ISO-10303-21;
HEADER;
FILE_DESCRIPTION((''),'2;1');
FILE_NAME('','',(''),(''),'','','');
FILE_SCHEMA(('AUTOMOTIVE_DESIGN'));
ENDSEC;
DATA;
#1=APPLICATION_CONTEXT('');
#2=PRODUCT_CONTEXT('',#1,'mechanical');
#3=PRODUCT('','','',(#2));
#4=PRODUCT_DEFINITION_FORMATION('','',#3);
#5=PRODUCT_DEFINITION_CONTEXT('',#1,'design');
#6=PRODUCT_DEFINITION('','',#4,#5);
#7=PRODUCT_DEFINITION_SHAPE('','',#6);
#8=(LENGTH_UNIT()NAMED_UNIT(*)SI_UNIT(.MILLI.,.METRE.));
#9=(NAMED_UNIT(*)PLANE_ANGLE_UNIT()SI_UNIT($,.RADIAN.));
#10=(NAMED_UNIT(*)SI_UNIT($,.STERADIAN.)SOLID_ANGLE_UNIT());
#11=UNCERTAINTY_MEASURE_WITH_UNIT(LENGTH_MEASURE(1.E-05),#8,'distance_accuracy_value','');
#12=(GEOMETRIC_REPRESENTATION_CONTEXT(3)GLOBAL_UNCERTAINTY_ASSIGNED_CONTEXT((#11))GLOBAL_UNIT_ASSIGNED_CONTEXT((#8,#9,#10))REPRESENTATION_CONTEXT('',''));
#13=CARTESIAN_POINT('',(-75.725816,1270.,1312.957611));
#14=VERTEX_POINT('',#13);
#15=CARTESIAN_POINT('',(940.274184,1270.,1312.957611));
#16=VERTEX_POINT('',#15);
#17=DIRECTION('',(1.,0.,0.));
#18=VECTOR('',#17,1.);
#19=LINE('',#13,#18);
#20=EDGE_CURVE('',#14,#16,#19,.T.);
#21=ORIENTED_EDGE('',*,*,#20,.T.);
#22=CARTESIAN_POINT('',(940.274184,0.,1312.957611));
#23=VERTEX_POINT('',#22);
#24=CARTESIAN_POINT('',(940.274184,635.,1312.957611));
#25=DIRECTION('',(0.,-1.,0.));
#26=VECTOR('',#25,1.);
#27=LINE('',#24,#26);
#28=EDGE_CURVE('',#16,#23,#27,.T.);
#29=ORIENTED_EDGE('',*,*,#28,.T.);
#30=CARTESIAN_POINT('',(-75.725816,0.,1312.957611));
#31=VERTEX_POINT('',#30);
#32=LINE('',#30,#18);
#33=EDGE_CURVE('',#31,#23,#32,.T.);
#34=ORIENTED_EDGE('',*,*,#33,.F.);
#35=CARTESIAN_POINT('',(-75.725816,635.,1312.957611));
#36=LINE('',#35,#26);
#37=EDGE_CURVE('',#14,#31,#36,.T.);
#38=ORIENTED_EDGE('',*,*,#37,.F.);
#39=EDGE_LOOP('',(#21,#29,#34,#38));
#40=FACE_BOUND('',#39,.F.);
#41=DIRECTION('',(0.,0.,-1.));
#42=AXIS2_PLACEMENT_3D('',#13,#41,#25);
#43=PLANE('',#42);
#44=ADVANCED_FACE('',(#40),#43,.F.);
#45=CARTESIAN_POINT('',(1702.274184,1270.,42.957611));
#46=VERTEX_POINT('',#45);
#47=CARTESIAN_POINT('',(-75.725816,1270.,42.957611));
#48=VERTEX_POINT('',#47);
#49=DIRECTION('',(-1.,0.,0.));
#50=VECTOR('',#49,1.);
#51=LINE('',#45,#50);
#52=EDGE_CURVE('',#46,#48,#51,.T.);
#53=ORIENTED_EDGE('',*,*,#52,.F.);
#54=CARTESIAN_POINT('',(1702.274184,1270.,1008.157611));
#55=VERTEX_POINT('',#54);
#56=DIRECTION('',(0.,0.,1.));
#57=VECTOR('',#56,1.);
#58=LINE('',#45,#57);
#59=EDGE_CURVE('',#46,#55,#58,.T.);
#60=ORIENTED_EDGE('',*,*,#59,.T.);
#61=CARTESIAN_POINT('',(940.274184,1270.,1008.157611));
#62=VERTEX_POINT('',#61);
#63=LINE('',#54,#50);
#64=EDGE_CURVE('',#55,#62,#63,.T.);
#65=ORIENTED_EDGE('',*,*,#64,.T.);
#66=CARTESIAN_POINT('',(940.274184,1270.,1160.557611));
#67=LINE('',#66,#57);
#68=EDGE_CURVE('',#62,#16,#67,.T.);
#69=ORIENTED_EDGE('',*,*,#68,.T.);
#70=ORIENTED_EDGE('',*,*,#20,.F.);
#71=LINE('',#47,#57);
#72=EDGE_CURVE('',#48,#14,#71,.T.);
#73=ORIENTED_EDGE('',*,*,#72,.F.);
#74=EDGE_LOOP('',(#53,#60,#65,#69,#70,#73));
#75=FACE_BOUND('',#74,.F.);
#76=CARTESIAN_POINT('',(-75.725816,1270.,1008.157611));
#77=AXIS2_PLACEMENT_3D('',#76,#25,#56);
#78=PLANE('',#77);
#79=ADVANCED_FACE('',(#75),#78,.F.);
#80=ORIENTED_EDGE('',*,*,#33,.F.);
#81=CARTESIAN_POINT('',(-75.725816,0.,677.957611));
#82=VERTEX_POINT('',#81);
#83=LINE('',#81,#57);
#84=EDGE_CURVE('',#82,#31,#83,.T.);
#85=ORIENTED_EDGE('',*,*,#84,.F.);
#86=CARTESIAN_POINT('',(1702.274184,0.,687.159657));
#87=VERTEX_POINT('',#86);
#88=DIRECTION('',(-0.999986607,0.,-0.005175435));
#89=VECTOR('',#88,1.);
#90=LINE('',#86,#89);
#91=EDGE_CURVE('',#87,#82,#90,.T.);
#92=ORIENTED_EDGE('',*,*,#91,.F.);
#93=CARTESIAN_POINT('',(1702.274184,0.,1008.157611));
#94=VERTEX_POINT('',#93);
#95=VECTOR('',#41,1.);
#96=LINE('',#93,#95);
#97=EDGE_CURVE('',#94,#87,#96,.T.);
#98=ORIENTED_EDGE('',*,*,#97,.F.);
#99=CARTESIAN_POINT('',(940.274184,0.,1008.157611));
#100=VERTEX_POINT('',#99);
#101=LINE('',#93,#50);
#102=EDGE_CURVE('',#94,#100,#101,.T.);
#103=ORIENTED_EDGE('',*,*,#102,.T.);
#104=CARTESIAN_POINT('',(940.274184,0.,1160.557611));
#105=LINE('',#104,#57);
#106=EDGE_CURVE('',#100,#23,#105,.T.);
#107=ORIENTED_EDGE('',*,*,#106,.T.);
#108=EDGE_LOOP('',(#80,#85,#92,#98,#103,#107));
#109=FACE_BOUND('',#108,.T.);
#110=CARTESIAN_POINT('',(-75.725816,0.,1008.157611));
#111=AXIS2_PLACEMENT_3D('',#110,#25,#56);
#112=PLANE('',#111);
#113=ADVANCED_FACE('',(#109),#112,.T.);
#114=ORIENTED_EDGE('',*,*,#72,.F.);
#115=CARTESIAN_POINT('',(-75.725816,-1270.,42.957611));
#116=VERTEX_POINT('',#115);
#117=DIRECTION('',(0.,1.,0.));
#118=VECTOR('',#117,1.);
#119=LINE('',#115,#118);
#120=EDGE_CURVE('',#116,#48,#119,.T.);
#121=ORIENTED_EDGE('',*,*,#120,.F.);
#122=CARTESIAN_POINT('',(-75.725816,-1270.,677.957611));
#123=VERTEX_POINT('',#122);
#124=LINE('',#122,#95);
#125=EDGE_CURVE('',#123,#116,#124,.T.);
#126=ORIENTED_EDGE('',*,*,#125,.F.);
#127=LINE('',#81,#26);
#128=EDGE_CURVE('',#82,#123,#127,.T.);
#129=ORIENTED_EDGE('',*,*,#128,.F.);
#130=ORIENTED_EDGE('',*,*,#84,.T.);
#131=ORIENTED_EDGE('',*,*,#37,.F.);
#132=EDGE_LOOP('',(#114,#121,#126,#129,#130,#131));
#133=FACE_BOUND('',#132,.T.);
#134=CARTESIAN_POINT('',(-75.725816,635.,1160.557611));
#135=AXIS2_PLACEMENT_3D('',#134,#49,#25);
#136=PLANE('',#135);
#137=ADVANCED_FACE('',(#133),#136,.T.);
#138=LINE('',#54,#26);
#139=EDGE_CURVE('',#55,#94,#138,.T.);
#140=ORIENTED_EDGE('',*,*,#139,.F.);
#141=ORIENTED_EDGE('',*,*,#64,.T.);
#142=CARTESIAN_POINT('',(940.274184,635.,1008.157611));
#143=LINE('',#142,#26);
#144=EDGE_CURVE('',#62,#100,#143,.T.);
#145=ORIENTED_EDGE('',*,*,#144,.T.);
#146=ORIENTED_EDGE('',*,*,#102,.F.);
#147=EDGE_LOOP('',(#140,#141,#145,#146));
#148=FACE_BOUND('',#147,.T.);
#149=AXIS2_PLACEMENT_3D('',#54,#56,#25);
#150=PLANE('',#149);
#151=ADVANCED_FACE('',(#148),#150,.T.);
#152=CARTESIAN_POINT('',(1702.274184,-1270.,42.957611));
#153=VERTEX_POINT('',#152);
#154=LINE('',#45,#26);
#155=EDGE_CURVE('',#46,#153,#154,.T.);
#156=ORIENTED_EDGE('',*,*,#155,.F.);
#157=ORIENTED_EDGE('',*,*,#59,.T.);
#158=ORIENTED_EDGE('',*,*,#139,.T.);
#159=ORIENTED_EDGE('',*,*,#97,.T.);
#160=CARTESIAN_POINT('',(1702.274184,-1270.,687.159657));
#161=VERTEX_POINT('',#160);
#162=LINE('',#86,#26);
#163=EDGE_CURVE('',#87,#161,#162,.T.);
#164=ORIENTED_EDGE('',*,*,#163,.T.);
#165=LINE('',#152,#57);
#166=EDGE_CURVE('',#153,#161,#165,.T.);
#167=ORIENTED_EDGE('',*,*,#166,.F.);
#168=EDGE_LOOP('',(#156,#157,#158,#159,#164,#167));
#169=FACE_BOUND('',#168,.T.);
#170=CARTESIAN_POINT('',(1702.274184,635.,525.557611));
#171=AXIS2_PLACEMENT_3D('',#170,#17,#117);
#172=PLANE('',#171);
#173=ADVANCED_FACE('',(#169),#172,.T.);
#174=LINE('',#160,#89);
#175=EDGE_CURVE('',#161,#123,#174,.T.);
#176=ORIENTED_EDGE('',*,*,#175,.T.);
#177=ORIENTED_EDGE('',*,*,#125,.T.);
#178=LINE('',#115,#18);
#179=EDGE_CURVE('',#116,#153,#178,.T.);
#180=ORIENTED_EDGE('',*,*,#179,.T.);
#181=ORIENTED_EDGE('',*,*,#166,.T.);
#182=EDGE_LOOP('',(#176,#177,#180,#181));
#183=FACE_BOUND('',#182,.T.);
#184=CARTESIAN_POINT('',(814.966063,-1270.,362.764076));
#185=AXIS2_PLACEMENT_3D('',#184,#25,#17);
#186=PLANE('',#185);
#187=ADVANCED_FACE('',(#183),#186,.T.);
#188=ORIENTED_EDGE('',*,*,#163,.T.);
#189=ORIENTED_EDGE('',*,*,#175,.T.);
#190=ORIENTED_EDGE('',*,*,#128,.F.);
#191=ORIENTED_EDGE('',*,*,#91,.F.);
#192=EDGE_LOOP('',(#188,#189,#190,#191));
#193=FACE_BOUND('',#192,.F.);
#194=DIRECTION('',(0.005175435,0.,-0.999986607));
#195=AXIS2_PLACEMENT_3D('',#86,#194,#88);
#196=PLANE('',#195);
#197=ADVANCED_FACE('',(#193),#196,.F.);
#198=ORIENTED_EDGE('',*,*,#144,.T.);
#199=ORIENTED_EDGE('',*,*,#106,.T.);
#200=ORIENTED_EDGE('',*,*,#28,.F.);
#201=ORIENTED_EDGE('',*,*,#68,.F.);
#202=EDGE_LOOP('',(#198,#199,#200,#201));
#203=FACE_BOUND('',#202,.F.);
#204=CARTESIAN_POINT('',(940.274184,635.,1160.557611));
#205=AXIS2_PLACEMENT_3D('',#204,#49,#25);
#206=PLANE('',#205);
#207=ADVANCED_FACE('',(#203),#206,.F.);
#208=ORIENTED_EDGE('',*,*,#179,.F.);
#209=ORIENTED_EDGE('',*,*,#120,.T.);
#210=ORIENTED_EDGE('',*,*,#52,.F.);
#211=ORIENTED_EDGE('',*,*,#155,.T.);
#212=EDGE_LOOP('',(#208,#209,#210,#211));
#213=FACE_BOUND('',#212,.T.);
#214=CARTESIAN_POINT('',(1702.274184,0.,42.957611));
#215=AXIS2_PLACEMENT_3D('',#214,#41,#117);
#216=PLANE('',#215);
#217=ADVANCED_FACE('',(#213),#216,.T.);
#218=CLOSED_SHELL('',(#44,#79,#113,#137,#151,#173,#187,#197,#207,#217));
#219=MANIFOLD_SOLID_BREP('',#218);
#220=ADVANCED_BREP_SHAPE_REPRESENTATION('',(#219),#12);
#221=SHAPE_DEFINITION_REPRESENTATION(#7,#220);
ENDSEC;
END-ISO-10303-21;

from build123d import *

# Parameters (mm, degrees)
F1_DEPTH = 1270
F3_DEPTH = 1778
F4_W     = 1270
F4_H     = 304.8
F5_DEPTH = 1016


with BuildPart() as f1:
    # F0 (on Front) → F1 (new body)
    with BuildSketch(Plane.XZ):
        Polygon((1702.274184, 687.159657), (-75.725816, 677.957611), (-75.725816, 42.957611), (1702.274184, 42.957611), align=None)
    extrude(amount=F1_DEPTH)

    # F2 (on face) → F3 (join)
    with BuildSketch(Plane.YZ.offset(1702.274184)):
        Polygon((0, 687.159657), (0, 42.957611), (1270, 42.957611), (1270, 1008.157611), (0, 1008.157611), align=None)
    extrude(amount=-F3_DEPTH)

    # F4 (on face) → F5 (join)
    with BuildSketch(Plane(origin=(-75.725816, 0, 0), x_dir=(0, -1, 0), z_dir=(-1, 0, 0))):
        with Locations((-635, 1160.557611)):
            Rectangle(F4_W, F4_H)
    extrude(amount=-F5_DEPTH)


solid = f1.part
